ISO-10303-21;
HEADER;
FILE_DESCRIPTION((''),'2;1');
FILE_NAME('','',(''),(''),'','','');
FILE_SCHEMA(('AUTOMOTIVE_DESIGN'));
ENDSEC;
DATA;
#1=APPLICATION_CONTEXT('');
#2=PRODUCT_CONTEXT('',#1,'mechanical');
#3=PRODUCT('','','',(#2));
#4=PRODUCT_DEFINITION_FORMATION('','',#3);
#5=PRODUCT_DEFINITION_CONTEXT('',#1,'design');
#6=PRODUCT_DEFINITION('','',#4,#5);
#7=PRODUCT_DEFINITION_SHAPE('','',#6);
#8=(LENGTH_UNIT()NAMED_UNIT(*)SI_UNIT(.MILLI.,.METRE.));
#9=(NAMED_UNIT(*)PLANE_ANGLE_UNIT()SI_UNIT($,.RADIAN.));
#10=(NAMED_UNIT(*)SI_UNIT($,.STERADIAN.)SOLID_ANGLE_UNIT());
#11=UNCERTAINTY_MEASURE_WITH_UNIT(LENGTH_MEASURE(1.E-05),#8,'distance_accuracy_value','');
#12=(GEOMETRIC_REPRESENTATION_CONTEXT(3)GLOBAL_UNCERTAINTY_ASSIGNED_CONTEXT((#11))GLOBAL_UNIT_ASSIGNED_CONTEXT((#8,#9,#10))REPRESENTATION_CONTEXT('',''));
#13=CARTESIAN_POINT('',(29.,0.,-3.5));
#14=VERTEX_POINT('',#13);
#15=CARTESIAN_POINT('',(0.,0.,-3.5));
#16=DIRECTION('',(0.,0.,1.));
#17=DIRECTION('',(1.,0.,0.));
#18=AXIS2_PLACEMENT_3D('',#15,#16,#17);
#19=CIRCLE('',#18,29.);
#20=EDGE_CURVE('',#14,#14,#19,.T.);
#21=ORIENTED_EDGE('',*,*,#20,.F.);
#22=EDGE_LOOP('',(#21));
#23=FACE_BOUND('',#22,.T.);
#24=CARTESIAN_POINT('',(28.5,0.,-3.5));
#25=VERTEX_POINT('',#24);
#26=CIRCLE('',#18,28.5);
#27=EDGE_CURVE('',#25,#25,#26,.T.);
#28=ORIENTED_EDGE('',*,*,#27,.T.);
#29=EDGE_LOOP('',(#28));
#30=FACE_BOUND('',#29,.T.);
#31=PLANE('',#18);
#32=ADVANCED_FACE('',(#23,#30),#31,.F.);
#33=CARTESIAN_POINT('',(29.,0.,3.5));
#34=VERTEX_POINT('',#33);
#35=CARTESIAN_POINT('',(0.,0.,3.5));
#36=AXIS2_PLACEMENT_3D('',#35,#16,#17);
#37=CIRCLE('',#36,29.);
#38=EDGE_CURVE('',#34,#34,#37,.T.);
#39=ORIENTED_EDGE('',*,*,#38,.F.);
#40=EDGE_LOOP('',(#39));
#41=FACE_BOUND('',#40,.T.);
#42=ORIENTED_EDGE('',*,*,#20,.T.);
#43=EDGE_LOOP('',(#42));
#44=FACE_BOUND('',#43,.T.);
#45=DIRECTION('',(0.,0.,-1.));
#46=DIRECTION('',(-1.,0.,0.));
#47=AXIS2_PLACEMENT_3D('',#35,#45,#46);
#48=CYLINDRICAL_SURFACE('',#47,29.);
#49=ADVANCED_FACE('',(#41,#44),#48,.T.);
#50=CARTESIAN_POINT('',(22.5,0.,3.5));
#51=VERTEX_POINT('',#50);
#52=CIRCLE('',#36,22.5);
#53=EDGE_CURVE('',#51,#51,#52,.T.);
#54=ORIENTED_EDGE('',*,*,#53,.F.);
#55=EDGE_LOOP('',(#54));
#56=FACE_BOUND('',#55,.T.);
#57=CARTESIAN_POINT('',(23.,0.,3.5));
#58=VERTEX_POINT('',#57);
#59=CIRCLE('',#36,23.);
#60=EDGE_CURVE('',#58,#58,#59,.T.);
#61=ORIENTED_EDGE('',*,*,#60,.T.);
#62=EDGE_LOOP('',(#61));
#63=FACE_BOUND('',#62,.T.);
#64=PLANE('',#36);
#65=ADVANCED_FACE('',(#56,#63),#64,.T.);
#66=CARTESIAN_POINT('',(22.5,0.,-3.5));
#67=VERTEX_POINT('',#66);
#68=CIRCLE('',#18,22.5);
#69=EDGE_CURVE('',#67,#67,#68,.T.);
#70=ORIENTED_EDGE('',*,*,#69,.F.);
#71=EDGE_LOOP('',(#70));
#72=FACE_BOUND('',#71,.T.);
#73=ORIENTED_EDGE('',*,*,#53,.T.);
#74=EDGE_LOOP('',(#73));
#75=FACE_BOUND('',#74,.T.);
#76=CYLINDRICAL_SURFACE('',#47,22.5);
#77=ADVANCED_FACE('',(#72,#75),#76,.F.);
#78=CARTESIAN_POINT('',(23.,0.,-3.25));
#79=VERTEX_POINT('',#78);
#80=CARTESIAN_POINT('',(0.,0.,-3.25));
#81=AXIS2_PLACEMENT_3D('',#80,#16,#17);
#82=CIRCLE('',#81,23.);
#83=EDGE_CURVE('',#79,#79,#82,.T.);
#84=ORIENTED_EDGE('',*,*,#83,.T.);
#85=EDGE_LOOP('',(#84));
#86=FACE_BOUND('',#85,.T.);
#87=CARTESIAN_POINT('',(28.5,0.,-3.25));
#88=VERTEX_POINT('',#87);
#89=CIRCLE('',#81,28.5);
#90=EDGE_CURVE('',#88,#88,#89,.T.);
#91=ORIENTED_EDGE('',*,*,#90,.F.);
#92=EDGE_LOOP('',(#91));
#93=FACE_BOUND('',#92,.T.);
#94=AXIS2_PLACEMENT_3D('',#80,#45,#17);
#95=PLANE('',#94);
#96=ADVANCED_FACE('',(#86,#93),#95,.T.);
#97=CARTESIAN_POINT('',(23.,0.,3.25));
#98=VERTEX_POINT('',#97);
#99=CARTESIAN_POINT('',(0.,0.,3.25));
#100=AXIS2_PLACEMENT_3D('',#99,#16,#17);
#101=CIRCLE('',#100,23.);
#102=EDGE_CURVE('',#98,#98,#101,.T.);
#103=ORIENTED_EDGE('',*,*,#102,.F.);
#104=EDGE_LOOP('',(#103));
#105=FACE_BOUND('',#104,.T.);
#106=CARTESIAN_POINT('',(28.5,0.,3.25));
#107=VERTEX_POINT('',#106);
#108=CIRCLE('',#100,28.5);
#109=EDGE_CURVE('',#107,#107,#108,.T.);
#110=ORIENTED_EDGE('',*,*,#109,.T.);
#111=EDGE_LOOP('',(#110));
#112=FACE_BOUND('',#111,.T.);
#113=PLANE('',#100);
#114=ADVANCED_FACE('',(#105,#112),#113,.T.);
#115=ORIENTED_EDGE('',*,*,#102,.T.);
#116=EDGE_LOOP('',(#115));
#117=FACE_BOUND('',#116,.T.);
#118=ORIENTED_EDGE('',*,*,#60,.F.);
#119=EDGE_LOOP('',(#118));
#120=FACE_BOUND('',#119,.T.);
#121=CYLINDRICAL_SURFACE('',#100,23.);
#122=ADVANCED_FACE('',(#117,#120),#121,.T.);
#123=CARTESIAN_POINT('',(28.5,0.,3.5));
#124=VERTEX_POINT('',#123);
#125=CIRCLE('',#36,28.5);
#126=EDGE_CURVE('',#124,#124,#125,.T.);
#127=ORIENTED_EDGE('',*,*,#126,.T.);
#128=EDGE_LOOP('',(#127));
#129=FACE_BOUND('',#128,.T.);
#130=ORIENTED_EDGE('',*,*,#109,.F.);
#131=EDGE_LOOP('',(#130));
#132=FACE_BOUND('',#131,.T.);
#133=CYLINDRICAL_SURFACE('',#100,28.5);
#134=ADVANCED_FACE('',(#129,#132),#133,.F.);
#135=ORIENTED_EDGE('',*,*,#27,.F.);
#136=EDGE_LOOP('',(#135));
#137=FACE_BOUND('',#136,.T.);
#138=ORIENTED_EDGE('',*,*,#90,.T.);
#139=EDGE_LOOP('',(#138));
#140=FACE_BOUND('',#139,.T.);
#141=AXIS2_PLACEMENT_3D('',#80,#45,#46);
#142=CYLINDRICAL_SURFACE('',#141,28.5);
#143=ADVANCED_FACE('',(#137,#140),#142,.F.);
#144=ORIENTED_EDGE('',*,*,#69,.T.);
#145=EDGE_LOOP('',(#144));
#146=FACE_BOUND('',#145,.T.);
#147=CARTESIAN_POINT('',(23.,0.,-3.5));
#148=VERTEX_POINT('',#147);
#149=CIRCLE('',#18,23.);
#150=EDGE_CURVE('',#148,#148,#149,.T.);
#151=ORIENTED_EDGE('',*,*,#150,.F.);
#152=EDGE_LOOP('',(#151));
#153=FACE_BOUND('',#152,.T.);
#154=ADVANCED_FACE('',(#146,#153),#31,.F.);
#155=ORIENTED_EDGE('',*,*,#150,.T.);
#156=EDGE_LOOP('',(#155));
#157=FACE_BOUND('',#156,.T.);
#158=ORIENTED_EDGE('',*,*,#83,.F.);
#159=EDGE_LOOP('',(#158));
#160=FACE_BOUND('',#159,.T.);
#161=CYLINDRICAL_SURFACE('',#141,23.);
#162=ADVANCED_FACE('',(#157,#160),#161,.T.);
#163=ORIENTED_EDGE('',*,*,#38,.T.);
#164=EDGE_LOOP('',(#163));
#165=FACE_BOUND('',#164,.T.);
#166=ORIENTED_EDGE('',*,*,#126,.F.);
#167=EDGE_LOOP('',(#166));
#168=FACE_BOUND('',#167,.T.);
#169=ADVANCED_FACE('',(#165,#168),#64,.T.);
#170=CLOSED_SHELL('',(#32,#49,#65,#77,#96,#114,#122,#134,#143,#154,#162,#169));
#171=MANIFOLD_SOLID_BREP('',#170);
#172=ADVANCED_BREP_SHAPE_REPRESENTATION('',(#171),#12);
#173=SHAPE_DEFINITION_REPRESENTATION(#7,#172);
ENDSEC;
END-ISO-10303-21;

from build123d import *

# Parameters (mm, degrees)
SKETCH1_R           = 29
SKETCH1_R_2         = 22.5
BOSS_EXTRUDE1_DEPTH = 3.5
SKETCH2_R           = 28.5
SKETCH2_R_2         = 23
CUT_EXTRUDE1_DEPTH  = 0.25


with BuildPart() as part:
    # Sketch1 → Boss-Extrude1 (new, symmetric)
    with BuildSketch(Plane.XY):
        Circle(SKETCH1_R)
        Circle(SKETCH1_R_2, mode=Mode.SUBTRACT)
    extrude(amount=BOSS_EXTRUDE1_DEPTH, both=True)

    # Sketch2 → Cut-Extrude1 (cut)
    with BuildSketch(Plane.XY.offset(3.5)):
        Circle(SKETCH2_R)
        Circle(SKETCH2_R_2, mode=Mode.SUBTRACT)
    cut_extrude1 = extrude(amount=-CUT_EXTRUDE1_DEPTH, mode=Mode.SUBTRACT)

    # Mirror1: Cut-Extrude1 across plane
    add(cut_extrude1.mirror(Plane.XY), mode=Mode.SUBTRACT)


solid = part.part
